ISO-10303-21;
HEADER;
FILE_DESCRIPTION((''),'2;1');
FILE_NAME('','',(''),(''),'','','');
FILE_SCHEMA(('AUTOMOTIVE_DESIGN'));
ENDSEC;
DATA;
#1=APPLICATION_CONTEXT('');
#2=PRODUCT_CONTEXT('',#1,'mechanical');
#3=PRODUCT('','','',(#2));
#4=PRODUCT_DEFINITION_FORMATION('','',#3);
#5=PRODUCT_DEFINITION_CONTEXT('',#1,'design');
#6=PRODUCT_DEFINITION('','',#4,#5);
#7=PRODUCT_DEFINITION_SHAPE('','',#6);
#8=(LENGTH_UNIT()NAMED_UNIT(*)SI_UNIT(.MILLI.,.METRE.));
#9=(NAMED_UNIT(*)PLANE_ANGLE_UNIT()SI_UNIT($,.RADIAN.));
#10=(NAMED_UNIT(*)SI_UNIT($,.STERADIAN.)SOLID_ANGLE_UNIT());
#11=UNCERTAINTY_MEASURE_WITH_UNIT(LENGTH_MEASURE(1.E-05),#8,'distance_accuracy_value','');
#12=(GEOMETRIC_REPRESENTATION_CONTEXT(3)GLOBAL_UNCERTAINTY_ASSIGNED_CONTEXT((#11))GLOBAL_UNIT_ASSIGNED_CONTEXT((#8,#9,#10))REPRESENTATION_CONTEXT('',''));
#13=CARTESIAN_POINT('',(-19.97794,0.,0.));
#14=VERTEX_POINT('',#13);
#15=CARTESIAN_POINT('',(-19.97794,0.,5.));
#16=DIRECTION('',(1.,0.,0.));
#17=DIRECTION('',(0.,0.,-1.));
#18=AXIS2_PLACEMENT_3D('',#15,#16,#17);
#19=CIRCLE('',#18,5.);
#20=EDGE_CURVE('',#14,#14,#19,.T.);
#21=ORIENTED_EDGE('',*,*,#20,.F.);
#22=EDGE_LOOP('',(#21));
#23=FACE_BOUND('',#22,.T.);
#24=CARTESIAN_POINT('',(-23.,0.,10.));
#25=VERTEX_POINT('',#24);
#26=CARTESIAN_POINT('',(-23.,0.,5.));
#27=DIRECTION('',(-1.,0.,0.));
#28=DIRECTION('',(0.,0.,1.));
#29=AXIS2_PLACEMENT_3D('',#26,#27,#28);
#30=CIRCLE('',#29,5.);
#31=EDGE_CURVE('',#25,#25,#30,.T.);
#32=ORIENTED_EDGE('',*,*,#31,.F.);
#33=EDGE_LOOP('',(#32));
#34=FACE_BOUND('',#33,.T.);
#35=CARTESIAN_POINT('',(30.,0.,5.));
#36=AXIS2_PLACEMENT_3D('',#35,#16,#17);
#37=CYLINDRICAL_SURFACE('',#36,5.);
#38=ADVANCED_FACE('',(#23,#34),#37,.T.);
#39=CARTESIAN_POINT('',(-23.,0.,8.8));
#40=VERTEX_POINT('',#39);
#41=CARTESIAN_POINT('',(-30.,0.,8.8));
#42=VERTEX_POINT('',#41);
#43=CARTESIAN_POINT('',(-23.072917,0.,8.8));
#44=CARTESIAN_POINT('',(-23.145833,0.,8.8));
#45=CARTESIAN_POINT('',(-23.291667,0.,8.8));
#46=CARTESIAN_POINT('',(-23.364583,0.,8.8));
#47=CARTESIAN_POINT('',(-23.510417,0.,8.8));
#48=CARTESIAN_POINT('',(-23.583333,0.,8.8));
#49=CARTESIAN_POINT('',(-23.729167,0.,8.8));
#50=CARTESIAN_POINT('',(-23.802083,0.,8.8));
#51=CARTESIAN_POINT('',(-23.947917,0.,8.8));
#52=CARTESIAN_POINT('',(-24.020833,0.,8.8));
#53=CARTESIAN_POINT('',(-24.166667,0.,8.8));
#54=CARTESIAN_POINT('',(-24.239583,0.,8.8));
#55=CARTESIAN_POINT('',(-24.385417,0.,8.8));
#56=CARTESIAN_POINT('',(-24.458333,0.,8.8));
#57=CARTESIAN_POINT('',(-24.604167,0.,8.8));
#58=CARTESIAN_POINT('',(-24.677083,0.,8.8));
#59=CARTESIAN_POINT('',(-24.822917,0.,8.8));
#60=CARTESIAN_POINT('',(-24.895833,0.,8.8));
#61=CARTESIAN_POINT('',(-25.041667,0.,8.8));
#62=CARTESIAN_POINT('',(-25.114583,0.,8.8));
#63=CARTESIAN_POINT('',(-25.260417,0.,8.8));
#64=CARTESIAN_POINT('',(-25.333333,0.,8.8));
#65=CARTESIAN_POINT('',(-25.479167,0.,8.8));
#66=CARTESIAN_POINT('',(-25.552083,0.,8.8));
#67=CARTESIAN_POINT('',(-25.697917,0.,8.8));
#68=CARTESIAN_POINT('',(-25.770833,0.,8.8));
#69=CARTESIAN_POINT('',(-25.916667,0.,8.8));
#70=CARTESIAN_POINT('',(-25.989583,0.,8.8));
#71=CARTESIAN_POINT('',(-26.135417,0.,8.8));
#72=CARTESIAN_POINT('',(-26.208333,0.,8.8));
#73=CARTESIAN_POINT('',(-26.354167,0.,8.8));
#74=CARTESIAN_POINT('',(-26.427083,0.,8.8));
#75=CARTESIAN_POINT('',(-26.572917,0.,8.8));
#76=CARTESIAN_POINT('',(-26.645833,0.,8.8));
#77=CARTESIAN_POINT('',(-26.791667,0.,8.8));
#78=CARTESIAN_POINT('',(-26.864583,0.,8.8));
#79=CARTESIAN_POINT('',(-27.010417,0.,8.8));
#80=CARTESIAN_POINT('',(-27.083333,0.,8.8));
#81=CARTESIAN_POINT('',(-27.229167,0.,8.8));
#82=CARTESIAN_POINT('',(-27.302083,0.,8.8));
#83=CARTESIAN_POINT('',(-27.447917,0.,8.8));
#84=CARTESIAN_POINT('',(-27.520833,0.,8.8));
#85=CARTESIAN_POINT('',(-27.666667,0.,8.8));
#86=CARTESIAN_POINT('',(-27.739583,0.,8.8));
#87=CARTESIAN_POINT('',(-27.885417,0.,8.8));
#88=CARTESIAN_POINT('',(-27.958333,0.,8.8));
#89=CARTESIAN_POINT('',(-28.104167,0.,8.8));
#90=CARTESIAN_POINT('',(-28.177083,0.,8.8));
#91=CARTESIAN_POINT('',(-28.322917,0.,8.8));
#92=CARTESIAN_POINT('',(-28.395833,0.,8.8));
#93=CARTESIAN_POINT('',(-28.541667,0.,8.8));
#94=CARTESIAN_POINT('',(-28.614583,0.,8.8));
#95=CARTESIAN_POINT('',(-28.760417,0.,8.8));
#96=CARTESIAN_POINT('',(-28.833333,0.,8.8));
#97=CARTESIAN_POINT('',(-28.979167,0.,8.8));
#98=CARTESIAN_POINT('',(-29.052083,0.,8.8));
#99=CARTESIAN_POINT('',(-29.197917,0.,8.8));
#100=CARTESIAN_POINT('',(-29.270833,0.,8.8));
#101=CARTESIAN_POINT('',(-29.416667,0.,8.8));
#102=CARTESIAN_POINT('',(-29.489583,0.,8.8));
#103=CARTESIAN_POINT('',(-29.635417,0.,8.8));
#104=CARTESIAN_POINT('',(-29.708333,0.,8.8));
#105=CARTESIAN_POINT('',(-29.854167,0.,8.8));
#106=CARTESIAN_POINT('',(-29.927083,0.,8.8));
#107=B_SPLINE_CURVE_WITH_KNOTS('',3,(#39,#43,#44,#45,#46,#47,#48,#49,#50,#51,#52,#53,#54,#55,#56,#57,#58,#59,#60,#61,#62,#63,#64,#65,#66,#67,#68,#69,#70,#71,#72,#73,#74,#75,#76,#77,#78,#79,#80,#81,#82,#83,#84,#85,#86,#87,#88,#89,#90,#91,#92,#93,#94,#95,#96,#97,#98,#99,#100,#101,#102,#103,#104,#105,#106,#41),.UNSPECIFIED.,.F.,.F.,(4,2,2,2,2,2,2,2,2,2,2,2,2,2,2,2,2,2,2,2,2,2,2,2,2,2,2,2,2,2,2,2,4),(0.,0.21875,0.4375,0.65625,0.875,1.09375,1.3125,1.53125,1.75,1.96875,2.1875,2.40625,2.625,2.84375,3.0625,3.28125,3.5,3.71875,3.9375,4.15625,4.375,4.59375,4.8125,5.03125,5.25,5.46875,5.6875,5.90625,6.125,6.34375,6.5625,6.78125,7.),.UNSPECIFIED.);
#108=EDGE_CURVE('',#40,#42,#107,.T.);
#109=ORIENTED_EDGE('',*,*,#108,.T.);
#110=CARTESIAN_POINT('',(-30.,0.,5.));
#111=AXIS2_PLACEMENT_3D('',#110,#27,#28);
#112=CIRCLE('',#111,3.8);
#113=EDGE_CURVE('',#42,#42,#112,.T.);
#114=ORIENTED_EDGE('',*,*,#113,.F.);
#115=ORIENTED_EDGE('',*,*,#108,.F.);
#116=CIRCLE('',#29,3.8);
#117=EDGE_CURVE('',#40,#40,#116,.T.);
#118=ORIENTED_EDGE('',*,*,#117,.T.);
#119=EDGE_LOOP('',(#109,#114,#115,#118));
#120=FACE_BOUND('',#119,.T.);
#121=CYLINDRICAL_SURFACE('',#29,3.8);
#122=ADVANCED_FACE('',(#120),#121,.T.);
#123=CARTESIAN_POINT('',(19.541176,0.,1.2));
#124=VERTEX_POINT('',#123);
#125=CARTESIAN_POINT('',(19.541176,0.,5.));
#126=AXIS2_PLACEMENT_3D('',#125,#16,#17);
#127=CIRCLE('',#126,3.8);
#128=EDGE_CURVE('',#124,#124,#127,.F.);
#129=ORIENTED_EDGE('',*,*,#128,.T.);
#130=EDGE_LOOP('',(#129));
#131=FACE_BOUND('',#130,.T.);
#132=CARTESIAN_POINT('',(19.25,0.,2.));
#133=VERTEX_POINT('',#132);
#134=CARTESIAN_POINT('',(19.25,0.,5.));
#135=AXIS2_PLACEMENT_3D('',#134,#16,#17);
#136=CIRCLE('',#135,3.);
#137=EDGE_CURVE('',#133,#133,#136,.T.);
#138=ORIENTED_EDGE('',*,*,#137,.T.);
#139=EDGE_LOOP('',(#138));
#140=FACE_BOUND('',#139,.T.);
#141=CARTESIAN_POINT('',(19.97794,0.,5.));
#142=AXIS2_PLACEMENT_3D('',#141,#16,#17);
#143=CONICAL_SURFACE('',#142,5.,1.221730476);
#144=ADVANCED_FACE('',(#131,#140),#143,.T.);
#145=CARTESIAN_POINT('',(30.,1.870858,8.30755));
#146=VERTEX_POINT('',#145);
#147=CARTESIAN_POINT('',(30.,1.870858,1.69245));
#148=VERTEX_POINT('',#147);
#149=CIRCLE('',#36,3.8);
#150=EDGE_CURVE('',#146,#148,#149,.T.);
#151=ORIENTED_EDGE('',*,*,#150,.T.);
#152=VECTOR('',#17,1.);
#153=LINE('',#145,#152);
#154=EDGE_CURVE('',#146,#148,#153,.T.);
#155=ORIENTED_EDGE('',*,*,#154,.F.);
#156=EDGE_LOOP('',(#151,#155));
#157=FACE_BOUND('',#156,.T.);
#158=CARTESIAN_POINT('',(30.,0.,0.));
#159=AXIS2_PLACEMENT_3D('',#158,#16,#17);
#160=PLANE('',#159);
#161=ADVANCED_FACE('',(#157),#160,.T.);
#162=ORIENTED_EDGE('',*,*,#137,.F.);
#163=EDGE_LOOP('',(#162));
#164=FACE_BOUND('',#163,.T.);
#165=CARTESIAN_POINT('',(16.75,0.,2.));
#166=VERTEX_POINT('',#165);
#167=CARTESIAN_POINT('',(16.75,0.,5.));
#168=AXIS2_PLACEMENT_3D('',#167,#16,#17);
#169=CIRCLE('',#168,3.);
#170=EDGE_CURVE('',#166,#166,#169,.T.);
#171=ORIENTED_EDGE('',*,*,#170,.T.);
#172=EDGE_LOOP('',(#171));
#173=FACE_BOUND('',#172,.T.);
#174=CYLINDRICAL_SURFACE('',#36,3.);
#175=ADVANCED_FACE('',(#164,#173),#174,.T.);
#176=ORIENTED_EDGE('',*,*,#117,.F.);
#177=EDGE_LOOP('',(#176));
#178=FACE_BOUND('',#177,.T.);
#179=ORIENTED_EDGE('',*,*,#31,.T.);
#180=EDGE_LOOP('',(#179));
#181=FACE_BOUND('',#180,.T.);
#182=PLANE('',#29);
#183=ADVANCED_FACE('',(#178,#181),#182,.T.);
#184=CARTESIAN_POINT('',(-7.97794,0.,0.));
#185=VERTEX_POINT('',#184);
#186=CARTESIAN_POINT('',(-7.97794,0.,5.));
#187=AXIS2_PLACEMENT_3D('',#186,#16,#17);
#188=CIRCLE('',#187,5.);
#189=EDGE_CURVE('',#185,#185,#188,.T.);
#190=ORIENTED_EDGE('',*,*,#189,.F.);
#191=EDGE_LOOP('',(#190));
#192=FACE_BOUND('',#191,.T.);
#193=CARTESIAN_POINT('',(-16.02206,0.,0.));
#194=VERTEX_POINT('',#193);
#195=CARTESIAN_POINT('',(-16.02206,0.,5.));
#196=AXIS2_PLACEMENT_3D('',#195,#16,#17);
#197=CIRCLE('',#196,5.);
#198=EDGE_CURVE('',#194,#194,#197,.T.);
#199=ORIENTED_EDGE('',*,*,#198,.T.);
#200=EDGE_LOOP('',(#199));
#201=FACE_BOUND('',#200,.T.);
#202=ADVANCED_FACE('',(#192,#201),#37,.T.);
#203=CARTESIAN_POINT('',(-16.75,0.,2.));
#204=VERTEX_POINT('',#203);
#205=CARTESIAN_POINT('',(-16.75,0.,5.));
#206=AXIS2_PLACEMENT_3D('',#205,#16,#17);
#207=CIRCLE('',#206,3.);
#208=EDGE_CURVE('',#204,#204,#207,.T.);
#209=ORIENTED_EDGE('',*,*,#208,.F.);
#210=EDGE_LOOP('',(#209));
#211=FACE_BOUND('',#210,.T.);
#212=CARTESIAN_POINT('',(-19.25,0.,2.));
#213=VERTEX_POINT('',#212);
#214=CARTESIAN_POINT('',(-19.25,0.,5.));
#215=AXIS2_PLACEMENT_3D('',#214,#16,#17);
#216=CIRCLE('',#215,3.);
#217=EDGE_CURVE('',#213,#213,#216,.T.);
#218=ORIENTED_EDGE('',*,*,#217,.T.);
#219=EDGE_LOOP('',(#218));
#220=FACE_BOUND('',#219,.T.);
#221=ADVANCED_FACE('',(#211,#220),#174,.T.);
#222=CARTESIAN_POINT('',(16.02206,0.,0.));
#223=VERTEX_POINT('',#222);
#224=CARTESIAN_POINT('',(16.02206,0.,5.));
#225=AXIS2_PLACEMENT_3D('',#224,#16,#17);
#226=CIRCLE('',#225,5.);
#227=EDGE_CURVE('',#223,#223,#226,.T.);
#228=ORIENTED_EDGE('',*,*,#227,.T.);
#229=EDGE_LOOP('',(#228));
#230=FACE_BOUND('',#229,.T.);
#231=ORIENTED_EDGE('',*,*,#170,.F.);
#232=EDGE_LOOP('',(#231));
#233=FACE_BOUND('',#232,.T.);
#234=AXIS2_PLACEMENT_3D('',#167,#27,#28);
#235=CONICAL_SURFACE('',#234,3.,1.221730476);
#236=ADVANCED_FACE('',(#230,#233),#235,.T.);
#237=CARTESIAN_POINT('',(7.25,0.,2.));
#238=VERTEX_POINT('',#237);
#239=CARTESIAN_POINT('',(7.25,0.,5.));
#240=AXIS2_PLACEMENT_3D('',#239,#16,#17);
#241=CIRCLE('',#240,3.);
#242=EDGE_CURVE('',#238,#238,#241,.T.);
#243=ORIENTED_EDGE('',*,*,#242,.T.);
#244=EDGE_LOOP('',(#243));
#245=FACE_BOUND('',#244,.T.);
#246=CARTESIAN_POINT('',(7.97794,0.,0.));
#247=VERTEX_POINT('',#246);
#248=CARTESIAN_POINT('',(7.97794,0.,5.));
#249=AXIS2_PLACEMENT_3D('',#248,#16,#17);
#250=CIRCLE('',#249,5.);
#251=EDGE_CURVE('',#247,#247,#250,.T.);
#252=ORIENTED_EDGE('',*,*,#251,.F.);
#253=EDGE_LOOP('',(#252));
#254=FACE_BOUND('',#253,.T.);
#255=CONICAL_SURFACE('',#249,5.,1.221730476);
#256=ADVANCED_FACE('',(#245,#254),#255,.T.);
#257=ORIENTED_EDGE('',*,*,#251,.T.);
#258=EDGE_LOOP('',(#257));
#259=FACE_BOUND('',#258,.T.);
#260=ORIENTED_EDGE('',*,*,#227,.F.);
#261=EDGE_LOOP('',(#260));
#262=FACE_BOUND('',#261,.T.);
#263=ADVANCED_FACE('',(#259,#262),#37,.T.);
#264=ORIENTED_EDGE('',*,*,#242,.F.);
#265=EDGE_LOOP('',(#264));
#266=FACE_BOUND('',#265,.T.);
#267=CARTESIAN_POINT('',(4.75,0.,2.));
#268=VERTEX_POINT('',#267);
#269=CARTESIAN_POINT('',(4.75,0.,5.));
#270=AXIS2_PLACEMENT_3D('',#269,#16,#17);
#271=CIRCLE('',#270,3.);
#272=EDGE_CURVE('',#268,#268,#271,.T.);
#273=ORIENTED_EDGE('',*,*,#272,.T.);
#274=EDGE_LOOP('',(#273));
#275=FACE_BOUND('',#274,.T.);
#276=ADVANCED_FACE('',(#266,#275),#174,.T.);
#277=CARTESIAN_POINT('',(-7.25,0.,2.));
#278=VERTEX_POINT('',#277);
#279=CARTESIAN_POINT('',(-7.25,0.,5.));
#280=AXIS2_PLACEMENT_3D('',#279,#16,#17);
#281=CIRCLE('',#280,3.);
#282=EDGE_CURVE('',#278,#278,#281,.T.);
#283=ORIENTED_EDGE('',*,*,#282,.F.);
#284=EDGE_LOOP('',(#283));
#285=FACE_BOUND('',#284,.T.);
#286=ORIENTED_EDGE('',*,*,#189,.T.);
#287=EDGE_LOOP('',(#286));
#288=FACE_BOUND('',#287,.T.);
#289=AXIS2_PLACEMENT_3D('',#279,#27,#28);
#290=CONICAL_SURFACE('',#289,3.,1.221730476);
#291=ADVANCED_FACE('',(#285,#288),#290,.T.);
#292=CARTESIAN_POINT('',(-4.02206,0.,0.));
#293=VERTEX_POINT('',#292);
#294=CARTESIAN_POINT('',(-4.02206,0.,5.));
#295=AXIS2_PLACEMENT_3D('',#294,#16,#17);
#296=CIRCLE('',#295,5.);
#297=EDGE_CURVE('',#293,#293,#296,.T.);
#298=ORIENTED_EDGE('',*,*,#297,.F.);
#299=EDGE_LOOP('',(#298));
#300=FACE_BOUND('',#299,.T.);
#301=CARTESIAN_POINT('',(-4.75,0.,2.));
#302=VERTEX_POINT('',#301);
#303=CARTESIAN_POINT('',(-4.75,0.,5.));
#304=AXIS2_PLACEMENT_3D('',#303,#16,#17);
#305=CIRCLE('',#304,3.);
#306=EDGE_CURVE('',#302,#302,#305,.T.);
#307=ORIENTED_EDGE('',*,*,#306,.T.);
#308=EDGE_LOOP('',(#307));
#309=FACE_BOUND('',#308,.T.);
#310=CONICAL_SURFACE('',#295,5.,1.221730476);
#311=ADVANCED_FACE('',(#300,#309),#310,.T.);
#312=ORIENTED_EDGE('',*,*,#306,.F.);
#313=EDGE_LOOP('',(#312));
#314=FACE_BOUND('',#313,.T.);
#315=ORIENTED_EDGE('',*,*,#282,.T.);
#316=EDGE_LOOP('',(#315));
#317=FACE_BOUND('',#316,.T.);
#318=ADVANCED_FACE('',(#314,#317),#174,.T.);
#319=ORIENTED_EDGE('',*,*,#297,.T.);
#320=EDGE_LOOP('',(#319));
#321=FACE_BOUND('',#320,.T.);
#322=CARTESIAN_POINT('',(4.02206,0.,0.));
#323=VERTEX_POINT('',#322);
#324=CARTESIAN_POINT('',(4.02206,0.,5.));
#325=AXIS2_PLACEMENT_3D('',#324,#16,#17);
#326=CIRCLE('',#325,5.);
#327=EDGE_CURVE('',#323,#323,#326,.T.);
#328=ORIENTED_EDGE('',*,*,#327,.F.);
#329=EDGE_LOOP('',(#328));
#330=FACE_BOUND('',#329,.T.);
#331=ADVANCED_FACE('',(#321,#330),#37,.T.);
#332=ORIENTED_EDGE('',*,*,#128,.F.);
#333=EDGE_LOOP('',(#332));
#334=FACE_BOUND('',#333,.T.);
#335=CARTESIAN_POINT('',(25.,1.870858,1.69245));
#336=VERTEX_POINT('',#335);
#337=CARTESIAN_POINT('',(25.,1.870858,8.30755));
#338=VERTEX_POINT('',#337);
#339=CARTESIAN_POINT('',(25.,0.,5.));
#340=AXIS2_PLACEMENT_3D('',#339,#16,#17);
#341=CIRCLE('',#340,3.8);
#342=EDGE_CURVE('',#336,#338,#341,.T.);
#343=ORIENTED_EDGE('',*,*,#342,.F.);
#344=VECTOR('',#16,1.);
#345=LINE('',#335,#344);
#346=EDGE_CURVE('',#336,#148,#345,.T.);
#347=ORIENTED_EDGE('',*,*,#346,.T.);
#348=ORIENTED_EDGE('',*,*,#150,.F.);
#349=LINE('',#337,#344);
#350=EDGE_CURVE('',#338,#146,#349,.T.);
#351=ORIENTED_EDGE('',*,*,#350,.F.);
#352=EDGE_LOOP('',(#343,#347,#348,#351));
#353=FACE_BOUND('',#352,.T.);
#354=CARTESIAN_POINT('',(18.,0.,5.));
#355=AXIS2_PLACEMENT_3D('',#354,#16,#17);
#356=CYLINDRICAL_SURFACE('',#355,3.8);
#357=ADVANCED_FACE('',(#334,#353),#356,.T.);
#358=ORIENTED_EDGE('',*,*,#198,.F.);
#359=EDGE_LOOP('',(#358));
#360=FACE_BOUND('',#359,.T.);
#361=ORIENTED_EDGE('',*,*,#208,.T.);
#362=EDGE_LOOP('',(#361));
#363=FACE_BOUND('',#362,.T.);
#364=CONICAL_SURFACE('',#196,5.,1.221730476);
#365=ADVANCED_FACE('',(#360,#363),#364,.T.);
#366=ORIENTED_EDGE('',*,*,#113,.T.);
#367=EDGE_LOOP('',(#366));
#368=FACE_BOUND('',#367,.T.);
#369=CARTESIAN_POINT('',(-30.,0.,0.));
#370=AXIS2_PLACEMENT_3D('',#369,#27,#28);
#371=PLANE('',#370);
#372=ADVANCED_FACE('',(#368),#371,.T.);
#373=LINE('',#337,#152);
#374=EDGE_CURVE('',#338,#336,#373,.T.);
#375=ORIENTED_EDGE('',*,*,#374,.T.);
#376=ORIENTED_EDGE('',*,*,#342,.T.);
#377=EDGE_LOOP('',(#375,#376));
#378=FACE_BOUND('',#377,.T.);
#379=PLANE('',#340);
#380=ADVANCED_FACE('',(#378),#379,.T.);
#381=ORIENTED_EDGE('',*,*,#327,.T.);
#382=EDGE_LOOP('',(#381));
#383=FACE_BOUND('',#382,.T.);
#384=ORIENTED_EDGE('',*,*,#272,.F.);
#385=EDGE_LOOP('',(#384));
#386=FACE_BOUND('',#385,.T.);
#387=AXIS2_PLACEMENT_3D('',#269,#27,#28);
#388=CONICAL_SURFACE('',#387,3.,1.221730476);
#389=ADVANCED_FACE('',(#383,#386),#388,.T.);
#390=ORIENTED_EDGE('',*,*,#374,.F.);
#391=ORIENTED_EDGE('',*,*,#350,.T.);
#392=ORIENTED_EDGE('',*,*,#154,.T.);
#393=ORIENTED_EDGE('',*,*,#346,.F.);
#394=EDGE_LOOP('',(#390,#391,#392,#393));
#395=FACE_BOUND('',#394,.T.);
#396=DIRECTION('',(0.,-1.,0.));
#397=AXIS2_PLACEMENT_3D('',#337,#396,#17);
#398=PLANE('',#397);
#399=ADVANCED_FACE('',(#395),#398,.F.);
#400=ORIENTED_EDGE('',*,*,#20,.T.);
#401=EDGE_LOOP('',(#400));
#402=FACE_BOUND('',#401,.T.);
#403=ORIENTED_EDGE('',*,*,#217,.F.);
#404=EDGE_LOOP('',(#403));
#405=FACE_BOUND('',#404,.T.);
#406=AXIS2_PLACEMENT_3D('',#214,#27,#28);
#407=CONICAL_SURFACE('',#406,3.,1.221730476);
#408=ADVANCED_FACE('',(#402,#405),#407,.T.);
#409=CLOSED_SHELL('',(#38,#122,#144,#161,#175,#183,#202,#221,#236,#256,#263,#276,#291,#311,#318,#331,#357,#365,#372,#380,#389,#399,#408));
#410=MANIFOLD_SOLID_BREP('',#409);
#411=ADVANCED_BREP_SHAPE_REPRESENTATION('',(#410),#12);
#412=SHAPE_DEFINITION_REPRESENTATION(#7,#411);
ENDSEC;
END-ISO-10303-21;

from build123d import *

# Parameters (mm, degrees)
CUT_EXTRUDE2_START = -7
SKETCH4_R          = 5
SKETCH4_R_2        = 3.8
CUT_EXTRUDE2_DEPTH = 7
SKETCH6_R          = 5
SKETCH6_R_2        = 3.8
CUT_EXTRUDE6_DEPTH = 12
CUT_EXTRUDE5_DEPTH = 5


with BuildPart() as part:
    # Sketch2 → Revolve1 (revolve)
    with BuildSketch(Plane(origin=(0, 0, 0), x_dir=(1, 0, 0), z_dir=(0, 1, 0))):
        Polygon((30, -5), (-30, -5), (-30, 0), (-19.977940469, 0), (-19.25, -2), (-16.75, -2), (-16.022059531, 0), (-7.977940469, 0), (-7.25, -2), (-4.75, -2), (-4.022059531, 0), (4.022059531, 0), (4.75, -2), (7.25, -2), (7.977940469, 0), (16.022059531, 0), (16.75, -2), (19.25, -2), (19.977940469, 0), (30, 0), align=None)
    revolve(axis=Axis((30, 0, 5), (-1, 0, 0)))

    # Sketch4 → Cut-Extrude2 (cut)
    with BuildSketch(Plane.ZY.offset(30).offset(CUT_EXTRUDE2_START)):
        with Locations(Location((5, 0, 0), (0, 0, 180))):
            Circle(SKETCH4_R)
        with Locations((5, 0)):
            Circle(SKETCH4_R_2, mode=Mode.SUBTRACT)
    extrude(amount=CUT_EXTRUDE2_DEPTH, mode=Mode.SUBTRACT)

    # Sketch6 → Cut-Extrude6 (cut)
    with BuildSketch(Plane(origin=(30, 0, 0), x_dir=(0, 0, -1), z_dir=(1, 0, 0))):
        with Locations((-5, 0)):
            Circle(SKETCH6_R)
        with Locations(Location((-5, 0, 0), (0, 0, 180))):
            Circle(SKETCH6_R_2, mode=Mode.SUBTRACT)
    extrude(amount=-CUT_EXTRUDE6_DEPTH, mode=Mode.SUBTRACT)

    # Sketch5 → Cut-Extrude5 (cut)
    with BuildSketch(Plane(origin=(30, 0, 0), x_dir=(0, 0, -1), z_dir=(1, 0, 0))):
        with BuildLine():
            Line((-8.307550461, 1.870858078), (-1.692449539, 1.870858078))
            ThreePointArc((-1.692449539, 1.870858078), (-5, 3.8), (-8.307550461, 1.870858078))
        make_face()
    extrude(amount=-CUT_EXTRUDE5_DEPTH, mode=Mode.SUBTRACT)


solid = part.part
